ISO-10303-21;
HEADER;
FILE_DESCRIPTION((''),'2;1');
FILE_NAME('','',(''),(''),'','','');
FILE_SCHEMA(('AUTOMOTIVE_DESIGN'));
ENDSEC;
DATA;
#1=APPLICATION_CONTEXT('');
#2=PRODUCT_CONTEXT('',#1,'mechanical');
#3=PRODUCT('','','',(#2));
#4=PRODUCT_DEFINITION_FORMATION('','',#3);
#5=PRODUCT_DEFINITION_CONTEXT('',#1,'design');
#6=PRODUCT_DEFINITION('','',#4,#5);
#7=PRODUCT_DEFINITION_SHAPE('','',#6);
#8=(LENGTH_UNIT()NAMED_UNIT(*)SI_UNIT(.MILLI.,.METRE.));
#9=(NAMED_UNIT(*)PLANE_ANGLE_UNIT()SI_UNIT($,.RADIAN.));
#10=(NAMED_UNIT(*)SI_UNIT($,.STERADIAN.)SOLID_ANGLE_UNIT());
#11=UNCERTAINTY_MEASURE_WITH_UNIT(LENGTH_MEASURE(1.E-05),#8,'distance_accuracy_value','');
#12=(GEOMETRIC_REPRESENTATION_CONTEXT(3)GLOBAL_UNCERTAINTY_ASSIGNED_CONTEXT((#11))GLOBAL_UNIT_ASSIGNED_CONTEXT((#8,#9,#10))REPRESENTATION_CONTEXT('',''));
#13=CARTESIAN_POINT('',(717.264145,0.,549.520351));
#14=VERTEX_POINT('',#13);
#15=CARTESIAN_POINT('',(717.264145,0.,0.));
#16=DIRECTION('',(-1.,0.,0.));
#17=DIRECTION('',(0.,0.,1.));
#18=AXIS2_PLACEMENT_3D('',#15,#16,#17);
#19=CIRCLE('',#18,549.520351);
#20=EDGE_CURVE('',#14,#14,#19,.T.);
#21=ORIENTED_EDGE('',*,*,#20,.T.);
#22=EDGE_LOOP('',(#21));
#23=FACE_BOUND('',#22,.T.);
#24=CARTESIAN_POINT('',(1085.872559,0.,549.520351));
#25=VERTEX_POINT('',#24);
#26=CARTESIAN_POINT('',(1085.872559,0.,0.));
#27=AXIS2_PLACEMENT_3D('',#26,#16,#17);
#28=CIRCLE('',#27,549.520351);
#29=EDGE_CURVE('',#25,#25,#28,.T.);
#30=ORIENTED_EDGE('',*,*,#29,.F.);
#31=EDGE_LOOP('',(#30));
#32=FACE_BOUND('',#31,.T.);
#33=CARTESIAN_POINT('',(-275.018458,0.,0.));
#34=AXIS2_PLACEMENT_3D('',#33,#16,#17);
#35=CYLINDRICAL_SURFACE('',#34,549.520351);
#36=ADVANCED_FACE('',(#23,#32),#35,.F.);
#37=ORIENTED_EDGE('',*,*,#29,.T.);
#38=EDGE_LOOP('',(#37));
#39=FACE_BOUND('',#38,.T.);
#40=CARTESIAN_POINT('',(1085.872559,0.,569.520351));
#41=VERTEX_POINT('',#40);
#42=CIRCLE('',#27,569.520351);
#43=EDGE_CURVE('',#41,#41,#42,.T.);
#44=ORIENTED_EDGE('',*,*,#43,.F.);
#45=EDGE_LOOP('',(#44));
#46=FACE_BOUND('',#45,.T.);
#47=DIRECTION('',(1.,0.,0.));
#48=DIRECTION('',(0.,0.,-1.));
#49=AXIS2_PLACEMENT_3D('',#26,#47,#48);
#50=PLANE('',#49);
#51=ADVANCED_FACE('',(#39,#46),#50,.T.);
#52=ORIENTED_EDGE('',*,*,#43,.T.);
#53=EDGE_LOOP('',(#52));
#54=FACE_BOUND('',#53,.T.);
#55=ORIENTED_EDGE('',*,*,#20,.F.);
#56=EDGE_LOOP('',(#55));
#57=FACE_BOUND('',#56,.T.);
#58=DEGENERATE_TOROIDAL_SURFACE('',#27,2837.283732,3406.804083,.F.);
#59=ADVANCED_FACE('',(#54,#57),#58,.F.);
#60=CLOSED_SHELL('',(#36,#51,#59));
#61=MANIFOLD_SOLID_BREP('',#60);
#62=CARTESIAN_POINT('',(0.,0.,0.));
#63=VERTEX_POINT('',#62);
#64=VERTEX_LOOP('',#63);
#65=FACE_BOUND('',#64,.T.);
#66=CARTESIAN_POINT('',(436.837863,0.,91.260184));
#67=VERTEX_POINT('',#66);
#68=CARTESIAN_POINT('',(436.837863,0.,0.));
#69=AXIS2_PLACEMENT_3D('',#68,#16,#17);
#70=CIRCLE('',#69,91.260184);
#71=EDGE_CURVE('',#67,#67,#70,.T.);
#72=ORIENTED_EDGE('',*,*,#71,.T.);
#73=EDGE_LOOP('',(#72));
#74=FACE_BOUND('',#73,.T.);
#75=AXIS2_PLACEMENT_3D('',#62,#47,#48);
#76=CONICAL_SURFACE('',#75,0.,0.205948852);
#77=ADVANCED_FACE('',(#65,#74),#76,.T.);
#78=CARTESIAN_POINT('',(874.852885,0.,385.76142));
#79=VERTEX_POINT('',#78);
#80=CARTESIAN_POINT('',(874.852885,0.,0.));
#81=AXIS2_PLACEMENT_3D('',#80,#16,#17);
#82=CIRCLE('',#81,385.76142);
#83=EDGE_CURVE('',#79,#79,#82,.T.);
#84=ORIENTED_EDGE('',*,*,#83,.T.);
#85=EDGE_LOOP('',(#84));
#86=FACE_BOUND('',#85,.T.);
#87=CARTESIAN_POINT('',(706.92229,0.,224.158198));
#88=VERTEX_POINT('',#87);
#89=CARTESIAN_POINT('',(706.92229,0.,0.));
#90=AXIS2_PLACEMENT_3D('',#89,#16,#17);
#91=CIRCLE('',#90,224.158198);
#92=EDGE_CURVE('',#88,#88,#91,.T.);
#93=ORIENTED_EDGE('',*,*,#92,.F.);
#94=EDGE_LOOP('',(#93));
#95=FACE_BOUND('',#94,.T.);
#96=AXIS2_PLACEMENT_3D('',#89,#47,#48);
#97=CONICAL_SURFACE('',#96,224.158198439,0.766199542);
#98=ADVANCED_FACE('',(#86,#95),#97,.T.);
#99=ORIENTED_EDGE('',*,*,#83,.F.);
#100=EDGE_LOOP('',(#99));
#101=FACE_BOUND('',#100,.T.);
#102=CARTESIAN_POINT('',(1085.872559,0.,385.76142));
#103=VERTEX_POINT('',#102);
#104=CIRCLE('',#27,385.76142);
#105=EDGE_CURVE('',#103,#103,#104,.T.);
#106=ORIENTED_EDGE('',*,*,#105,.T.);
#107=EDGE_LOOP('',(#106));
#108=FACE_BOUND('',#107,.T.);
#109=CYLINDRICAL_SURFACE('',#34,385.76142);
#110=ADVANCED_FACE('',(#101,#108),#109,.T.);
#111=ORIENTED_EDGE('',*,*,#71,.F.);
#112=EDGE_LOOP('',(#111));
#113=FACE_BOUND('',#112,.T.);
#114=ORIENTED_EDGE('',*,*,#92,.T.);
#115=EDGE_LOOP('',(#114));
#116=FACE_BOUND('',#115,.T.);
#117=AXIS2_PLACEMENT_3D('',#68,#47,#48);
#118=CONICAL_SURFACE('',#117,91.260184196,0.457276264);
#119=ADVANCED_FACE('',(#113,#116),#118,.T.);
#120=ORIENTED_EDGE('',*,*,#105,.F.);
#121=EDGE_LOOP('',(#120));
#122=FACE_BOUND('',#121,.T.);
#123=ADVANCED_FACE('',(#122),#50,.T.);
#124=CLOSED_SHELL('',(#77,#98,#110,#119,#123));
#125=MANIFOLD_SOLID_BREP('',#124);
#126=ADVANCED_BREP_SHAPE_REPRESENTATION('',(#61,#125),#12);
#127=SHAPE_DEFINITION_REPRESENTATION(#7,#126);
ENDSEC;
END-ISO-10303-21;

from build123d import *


with BuildPart() as part:
    # Schizzo1 → Rivoluzione1 (revolve)
    with BuildSketch(Plane.XY, mode=Mode.PRIVATE) as rivoluzione1_sk:
        Polygon((436.837862623, 91.260184196), (0, 0), (1085.872559264, 0), (1085.872559264, 385.761420338), (874.852884773, 385.761420338), (706.922290359, 224.158198439), align=None)
        with BuildLine():
            ThreePointArc((1085.872559264, 569.520350938), (901.297260731, 564.516676415), (717.264144663, 549.520350938))
            Line((717.264144663, 549.520350938), (1085.872559264, 549.520350938))
            Line((1085.872559264, 549.520350938), (1085.872559264, 569.520350938))
        make_face()
    revolve(rivoluzione1_sk.sketch.rotate(Axis((-275.018458385, 0, 0), (1, 0, 0)), 90), axis=Axis((-275.018458385, 0, 0), (1, 0, 0)))


solid = part.part
